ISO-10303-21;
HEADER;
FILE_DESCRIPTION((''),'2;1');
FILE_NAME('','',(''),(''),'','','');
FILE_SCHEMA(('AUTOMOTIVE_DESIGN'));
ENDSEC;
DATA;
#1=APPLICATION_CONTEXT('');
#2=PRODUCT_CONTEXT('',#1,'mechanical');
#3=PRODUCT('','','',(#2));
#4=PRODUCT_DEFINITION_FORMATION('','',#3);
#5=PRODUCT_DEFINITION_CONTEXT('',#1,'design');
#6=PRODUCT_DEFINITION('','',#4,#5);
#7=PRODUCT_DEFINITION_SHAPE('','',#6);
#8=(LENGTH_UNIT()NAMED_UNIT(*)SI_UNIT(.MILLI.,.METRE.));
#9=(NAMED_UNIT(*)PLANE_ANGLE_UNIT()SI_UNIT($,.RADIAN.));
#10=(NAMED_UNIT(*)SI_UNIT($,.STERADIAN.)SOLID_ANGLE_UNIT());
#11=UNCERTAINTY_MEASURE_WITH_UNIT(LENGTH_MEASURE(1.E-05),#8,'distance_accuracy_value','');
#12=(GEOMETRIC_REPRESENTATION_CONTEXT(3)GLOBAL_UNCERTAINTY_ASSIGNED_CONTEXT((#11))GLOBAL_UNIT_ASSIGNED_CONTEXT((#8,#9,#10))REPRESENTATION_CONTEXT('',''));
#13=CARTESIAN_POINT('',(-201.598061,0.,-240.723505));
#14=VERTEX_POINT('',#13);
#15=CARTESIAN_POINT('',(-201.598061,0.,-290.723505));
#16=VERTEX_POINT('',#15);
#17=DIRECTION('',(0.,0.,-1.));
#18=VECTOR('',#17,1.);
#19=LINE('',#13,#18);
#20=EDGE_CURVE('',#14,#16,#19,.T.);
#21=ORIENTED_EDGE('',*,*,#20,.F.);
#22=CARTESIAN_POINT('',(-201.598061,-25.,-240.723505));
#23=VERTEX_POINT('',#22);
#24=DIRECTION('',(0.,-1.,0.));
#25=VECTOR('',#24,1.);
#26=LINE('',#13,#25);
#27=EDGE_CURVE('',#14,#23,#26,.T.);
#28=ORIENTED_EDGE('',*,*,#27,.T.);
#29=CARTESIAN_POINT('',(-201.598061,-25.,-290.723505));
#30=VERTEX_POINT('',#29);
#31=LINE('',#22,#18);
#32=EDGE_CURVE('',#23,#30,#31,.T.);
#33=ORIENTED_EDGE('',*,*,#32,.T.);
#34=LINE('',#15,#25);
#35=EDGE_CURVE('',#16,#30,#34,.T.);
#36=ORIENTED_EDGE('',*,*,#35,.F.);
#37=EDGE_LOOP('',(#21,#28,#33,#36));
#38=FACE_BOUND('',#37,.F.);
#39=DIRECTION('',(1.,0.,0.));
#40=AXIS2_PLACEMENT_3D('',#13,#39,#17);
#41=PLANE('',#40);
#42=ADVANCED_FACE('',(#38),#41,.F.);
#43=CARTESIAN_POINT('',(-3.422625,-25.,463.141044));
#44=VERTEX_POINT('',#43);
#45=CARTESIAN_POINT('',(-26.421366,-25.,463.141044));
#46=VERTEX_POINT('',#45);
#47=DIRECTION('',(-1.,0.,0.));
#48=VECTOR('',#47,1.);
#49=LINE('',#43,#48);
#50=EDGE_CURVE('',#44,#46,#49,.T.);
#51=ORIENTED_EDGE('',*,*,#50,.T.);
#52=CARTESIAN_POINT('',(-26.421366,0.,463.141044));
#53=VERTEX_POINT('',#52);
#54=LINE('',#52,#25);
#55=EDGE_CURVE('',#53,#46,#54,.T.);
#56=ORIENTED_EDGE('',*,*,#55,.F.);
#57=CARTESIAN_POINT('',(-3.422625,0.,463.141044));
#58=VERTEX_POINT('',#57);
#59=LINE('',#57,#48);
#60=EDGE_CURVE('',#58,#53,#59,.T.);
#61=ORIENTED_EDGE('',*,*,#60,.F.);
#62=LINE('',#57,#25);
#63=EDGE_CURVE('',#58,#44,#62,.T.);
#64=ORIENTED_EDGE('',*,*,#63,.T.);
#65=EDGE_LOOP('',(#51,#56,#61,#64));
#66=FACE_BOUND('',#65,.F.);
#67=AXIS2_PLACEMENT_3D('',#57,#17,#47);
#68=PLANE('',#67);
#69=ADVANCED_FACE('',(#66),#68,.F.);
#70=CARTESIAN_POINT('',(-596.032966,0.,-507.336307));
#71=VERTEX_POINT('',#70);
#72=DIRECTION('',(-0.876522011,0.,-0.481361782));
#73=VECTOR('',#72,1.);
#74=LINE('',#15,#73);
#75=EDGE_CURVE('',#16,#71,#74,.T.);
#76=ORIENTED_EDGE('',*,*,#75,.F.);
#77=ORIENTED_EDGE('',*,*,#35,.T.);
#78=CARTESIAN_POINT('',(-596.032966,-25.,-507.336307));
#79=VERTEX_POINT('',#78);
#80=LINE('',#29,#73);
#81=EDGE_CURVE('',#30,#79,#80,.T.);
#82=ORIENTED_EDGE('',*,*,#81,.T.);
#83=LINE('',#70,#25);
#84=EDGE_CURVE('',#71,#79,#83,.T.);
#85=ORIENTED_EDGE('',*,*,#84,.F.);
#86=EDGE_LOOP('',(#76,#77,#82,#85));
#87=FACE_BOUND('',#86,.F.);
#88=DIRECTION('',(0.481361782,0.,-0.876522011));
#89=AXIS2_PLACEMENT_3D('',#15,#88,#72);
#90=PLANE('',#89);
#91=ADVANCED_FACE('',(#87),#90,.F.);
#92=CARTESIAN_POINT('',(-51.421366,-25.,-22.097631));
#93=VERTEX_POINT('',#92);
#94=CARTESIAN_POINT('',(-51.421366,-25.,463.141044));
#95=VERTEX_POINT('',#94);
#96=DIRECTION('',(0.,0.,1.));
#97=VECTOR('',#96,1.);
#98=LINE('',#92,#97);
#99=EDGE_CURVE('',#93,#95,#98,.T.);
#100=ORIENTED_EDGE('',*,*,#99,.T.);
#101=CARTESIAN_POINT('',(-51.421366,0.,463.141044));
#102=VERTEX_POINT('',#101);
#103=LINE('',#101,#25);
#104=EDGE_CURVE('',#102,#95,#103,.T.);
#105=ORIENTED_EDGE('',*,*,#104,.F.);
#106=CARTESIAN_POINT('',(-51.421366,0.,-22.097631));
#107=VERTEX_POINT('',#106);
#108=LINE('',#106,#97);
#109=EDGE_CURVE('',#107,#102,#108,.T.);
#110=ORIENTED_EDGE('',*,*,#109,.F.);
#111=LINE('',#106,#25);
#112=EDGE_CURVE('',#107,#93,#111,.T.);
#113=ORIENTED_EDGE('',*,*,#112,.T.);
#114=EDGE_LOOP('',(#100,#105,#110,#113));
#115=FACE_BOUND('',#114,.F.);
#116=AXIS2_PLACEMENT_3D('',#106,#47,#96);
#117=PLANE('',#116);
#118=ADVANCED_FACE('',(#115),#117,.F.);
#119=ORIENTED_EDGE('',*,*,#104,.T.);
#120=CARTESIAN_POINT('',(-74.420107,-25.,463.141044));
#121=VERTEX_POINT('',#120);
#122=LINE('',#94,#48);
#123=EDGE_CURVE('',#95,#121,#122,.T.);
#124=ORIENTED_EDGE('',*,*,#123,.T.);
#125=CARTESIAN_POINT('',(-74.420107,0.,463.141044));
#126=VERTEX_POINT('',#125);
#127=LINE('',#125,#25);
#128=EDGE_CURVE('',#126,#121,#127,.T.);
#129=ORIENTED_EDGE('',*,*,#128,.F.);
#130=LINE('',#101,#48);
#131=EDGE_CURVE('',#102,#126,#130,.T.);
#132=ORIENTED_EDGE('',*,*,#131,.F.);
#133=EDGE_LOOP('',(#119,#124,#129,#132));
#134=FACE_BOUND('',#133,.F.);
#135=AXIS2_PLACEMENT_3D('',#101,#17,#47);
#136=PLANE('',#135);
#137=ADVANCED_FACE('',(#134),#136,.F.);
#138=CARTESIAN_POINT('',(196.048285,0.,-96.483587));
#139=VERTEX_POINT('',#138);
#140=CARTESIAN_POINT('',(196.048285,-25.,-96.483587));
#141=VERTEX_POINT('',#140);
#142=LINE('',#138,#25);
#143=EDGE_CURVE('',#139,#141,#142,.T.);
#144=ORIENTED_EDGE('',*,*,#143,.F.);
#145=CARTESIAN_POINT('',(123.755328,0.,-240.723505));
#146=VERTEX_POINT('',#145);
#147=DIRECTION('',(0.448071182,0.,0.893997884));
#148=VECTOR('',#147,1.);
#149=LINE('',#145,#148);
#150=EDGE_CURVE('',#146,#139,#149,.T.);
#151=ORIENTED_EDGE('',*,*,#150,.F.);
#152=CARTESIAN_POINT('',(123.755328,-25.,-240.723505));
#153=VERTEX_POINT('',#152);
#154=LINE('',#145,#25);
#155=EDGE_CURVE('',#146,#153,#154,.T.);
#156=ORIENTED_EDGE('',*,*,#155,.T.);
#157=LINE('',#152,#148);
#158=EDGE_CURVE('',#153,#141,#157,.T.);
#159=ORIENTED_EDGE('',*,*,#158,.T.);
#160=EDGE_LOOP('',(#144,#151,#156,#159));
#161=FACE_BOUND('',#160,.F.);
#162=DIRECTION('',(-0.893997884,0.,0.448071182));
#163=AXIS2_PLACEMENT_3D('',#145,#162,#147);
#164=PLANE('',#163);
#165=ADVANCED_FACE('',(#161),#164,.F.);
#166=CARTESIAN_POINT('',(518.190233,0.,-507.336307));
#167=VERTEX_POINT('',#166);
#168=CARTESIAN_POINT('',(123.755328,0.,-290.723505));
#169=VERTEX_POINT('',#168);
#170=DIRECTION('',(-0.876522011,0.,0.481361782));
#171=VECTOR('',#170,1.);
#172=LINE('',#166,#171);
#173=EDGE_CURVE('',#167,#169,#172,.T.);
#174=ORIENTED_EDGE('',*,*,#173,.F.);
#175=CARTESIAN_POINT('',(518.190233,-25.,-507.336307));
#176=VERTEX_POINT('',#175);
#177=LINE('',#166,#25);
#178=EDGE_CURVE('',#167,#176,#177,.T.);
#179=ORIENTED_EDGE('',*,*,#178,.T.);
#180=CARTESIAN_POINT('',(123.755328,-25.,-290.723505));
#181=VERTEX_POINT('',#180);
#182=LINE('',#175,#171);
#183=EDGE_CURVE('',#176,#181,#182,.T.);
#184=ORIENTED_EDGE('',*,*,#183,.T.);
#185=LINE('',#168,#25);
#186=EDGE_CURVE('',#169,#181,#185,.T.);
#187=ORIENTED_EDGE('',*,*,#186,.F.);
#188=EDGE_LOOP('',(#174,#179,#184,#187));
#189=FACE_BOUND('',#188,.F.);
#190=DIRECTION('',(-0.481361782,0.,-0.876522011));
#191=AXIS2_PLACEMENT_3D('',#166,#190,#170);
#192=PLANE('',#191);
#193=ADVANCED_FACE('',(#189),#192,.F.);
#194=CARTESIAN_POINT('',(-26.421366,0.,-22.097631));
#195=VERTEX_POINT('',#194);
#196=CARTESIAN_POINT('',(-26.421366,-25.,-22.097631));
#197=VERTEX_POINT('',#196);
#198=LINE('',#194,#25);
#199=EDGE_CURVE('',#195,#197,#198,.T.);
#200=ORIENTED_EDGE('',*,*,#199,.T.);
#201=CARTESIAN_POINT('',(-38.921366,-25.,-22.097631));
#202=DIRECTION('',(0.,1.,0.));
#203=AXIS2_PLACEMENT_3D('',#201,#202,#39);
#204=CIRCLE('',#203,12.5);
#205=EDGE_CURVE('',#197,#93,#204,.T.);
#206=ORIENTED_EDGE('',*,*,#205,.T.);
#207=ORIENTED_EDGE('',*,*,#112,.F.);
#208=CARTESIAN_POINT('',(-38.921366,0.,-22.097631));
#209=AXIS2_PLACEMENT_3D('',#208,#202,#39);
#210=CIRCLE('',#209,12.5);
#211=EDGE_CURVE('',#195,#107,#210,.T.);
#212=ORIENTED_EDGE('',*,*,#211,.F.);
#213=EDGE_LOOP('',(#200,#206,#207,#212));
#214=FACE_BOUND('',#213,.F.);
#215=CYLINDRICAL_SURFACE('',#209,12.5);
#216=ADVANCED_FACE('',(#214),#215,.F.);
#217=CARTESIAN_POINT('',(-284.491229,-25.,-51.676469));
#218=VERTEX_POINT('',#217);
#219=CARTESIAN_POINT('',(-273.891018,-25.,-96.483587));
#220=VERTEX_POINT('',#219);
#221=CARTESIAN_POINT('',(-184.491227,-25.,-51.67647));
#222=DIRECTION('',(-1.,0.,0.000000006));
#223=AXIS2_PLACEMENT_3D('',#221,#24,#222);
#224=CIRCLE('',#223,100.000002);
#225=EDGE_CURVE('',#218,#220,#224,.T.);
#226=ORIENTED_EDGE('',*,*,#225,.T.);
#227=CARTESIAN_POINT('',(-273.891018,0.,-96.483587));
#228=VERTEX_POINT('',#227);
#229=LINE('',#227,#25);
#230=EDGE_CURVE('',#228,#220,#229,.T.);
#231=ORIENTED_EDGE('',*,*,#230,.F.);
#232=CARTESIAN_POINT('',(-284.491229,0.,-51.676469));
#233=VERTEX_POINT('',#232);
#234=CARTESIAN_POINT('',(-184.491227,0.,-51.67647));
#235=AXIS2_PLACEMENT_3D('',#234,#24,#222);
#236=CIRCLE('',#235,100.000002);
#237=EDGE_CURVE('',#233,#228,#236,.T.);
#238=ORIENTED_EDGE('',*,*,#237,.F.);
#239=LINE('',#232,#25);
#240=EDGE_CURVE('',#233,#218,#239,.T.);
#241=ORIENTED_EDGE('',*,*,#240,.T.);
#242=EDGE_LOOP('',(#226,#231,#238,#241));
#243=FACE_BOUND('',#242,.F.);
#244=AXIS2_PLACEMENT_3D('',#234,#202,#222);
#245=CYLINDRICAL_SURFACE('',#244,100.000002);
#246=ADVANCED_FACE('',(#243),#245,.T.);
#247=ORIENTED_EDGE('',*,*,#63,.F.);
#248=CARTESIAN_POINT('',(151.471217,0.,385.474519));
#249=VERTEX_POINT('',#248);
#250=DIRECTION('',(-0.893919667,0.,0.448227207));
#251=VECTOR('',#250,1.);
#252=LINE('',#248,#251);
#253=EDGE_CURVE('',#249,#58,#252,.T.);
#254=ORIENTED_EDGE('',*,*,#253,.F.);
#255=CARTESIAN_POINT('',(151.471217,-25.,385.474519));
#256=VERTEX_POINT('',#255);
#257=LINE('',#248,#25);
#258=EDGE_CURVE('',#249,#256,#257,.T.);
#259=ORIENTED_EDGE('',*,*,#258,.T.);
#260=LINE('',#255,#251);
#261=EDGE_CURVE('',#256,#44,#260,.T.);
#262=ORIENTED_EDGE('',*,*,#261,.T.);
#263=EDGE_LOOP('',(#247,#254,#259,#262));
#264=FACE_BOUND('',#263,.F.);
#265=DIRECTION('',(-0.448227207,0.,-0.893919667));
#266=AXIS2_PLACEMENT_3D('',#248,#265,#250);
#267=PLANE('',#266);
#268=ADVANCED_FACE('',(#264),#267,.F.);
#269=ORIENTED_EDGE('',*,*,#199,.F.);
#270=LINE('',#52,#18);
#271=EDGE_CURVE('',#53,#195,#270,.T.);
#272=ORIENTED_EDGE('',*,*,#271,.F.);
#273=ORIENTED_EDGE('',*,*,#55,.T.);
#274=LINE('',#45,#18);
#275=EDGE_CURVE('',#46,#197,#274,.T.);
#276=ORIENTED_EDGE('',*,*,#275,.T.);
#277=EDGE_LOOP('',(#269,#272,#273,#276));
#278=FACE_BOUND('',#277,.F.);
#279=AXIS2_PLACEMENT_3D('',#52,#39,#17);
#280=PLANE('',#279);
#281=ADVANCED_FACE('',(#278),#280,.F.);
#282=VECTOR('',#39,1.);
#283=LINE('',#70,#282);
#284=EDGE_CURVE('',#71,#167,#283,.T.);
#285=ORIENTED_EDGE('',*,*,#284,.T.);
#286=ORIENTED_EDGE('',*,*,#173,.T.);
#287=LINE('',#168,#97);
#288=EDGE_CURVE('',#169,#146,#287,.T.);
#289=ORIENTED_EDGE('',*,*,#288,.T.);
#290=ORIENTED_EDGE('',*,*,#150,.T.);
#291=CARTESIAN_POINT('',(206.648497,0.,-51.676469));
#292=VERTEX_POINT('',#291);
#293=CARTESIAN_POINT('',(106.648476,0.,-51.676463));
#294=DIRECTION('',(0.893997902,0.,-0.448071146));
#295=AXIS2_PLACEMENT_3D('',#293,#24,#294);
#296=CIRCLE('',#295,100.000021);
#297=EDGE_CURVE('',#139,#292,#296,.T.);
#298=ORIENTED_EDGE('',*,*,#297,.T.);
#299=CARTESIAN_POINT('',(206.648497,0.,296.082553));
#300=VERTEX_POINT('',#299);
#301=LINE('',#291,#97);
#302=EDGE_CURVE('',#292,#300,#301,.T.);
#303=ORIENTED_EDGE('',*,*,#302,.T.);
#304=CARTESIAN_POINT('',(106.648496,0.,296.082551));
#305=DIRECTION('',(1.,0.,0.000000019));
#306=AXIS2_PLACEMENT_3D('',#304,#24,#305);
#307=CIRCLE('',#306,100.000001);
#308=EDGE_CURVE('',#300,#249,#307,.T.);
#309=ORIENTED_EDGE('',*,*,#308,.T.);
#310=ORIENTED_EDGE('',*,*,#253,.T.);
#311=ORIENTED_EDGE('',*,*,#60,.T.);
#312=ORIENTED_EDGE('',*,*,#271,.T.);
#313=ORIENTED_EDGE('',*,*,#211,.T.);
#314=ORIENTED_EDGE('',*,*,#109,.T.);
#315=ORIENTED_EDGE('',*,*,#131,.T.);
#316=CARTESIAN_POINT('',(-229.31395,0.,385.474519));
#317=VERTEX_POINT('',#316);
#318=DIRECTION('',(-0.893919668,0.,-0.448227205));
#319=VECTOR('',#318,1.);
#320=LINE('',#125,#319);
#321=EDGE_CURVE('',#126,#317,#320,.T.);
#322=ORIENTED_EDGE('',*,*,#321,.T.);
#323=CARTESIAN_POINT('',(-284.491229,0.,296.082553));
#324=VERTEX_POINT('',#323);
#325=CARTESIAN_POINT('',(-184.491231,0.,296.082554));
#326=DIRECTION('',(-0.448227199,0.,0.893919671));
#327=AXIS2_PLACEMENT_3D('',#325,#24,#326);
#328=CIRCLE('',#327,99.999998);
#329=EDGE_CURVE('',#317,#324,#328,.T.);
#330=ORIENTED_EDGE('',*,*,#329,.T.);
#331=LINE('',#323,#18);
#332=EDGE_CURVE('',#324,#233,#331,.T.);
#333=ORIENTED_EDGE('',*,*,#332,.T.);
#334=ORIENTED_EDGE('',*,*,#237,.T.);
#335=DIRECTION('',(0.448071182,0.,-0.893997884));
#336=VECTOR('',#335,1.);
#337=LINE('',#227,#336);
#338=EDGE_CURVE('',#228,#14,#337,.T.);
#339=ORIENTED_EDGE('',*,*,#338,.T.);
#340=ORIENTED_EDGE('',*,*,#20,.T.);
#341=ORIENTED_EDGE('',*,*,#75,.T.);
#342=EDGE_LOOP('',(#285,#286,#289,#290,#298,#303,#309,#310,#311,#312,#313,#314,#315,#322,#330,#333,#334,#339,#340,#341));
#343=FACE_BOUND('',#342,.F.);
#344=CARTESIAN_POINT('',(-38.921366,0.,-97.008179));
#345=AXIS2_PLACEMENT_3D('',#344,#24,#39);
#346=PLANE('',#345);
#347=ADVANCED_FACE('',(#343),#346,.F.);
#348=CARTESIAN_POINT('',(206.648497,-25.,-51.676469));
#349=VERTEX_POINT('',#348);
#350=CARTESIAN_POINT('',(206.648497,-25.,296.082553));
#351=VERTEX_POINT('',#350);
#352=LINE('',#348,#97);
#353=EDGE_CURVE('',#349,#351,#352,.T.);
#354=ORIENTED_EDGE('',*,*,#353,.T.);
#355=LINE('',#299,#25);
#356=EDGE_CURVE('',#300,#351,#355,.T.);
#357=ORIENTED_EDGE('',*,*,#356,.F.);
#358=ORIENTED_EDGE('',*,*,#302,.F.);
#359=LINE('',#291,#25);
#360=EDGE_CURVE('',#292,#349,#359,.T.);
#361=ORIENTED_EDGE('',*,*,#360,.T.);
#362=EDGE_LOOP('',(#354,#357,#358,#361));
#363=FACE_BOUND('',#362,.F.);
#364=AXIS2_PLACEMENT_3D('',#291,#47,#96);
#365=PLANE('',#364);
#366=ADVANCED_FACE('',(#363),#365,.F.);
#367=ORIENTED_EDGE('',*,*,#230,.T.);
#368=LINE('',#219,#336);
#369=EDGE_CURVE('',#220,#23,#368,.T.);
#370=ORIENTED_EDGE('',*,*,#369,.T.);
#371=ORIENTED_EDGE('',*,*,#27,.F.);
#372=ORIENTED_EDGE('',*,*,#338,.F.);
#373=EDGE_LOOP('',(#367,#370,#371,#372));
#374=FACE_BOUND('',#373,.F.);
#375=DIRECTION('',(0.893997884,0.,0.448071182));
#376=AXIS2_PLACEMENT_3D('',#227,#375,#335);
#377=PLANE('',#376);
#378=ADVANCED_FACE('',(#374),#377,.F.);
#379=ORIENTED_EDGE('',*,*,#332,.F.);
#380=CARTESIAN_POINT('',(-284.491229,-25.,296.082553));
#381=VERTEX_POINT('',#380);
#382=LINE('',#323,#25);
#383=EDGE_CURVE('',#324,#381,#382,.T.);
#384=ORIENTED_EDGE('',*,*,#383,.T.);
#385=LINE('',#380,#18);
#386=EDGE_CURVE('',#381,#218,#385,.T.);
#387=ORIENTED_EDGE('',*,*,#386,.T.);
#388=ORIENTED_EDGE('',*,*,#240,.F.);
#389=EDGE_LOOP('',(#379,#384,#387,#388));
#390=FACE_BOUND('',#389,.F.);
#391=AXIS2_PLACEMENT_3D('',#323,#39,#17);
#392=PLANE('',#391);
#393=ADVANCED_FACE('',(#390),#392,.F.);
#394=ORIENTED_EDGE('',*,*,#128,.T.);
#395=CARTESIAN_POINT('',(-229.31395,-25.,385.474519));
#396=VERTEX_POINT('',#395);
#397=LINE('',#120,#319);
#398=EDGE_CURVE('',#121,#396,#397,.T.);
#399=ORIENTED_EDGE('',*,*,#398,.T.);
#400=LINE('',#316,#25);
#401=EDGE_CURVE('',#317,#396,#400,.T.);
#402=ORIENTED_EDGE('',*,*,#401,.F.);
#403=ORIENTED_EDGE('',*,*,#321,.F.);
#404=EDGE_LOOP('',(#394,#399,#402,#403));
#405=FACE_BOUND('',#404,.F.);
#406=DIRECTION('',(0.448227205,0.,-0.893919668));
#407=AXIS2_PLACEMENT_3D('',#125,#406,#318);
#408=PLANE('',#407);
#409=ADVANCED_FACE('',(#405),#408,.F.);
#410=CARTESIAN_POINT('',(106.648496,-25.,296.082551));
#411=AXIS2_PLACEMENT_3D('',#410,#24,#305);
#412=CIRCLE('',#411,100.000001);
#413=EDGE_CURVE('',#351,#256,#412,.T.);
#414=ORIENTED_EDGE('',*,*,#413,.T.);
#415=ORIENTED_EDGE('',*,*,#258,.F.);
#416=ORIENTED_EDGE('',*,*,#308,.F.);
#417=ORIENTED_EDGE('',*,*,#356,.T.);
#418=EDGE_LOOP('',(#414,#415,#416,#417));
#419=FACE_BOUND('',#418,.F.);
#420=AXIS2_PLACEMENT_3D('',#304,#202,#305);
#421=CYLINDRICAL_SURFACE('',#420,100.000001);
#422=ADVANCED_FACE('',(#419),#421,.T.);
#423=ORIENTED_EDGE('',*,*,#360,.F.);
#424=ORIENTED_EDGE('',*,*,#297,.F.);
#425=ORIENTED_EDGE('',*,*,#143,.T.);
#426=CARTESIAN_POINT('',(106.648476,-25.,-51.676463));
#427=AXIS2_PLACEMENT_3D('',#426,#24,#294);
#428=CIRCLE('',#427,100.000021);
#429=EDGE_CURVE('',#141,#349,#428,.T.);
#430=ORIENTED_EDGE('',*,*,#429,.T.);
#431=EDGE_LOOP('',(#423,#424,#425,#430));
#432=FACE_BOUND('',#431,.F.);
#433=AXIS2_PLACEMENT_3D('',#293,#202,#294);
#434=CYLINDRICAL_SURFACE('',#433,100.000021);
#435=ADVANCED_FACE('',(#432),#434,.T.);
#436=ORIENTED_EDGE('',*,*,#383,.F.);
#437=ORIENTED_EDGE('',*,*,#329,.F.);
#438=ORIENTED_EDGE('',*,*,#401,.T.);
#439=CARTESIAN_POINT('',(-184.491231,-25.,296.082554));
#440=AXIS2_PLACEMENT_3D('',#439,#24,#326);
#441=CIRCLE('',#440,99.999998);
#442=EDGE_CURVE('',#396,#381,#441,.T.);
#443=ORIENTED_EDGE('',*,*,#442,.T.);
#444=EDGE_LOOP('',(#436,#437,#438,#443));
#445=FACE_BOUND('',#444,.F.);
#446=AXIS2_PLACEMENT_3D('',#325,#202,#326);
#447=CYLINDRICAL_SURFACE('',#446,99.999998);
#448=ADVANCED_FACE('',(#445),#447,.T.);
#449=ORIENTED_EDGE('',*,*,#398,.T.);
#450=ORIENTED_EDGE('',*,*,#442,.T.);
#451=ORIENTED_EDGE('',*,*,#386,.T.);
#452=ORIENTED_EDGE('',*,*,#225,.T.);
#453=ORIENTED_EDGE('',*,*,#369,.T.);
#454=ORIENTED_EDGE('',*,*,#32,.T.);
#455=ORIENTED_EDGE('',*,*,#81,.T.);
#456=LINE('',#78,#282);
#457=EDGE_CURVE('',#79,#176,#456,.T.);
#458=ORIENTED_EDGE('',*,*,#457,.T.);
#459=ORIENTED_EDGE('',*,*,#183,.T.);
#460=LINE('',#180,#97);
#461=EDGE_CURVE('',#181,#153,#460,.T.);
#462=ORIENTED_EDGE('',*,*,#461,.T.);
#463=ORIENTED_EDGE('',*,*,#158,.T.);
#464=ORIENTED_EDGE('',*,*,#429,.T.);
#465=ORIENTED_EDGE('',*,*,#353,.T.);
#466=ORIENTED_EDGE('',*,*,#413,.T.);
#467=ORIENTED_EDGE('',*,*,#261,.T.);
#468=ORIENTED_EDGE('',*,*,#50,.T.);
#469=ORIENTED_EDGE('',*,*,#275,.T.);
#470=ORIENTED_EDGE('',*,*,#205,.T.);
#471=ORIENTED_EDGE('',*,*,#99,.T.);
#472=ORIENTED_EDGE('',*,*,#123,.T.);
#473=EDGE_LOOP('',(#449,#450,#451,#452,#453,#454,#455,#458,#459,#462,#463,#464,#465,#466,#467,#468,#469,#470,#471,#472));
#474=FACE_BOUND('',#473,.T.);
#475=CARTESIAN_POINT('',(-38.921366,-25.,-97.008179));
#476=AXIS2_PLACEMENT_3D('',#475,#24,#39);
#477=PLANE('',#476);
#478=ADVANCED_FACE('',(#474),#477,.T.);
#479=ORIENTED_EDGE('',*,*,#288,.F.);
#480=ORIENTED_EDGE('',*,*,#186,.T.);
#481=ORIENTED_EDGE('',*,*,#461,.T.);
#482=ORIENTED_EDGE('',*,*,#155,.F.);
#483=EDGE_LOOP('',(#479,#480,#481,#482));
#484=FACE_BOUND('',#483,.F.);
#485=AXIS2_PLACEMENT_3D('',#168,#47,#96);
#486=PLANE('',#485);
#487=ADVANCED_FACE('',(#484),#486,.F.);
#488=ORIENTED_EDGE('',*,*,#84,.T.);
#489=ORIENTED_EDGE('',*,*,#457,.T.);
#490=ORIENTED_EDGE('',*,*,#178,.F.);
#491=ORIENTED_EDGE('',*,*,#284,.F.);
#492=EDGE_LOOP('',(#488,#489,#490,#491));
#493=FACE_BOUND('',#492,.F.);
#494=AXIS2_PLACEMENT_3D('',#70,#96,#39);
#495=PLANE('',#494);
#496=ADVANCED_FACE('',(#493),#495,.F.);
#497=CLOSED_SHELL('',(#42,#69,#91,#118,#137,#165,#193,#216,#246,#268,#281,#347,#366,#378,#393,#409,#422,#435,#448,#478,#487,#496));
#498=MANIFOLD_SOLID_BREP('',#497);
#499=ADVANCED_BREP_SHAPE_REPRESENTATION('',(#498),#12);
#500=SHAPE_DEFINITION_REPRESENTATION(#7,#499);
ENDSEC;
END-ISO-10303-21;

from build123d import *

# Parameters (mm, degrees)
F1_DEPTH = 25


with BuildPart() as f1:
    # F0 (on Front) → F1 (new body)
    with BuildSketch(Plane.XZ):
        with BuildLine():
            Line((-596.032966, -507.336307), (518.190233, -507.336307))
            Line((518.190233, -507.336307), (123.755328, -290.723505))
            Line((123.755328, -290.723505), (123.755328, -240.723505))
            Line((123.755328, -240.723505), (196.048285, -96.483587))
            ThreePointArc((196.048285, -96.483587), (203.962367, -74.698427), (206.648497, -51.676469))
            Line((206.648497, -51.676469), (206.648497, 296.082553))
            ThreePointArc((206.648497, 296.082553), (191.743361, 348.607442), (151.471217, 385.474519))
            Line((151.471217, 385.474519), (-3.422625, 463.141044))
            Line((-3.422625, 463.141044), (-26.421366, 463.141044))
            Line((-26.421366, 463.141044), (-26.421366, -22.097631))
            ThreePointArc((-26.421366, -22.097631), (-38.921366, -34.597631), (-51.421366, -22.097631))
            Line((-51.421366, -22.097631), (-51.421366, 463.141044))
            Line((-51.421366, 463.141044), (-74.420107, 463.141044))
            Line((-74.420107, 463.141044), (-229.31395, 385.474519))
            ThreePointArc((-229.31395, 385.474519), (-269.586094, 348.607442), (-284.491229, 296.082553))
            Line((-284.491229, 296.082553), (-284.491229, -51.676469))
            ThreePointArc((-284.491229, -51.676469), (-281.8051, -74.698427), (-273.891018, -96.483587))
            Line((-273.891018, -96.483587), (-201.598061, -240.723505))
            Line((-201.598061, -240.723505), (-201.598061, -290.723505))
            Line((-201.598061, -290.723505), (-596.032966, -507.336307))
        make_face()
    extrude(amount=F1_DEPTH)


solid = f1.part
